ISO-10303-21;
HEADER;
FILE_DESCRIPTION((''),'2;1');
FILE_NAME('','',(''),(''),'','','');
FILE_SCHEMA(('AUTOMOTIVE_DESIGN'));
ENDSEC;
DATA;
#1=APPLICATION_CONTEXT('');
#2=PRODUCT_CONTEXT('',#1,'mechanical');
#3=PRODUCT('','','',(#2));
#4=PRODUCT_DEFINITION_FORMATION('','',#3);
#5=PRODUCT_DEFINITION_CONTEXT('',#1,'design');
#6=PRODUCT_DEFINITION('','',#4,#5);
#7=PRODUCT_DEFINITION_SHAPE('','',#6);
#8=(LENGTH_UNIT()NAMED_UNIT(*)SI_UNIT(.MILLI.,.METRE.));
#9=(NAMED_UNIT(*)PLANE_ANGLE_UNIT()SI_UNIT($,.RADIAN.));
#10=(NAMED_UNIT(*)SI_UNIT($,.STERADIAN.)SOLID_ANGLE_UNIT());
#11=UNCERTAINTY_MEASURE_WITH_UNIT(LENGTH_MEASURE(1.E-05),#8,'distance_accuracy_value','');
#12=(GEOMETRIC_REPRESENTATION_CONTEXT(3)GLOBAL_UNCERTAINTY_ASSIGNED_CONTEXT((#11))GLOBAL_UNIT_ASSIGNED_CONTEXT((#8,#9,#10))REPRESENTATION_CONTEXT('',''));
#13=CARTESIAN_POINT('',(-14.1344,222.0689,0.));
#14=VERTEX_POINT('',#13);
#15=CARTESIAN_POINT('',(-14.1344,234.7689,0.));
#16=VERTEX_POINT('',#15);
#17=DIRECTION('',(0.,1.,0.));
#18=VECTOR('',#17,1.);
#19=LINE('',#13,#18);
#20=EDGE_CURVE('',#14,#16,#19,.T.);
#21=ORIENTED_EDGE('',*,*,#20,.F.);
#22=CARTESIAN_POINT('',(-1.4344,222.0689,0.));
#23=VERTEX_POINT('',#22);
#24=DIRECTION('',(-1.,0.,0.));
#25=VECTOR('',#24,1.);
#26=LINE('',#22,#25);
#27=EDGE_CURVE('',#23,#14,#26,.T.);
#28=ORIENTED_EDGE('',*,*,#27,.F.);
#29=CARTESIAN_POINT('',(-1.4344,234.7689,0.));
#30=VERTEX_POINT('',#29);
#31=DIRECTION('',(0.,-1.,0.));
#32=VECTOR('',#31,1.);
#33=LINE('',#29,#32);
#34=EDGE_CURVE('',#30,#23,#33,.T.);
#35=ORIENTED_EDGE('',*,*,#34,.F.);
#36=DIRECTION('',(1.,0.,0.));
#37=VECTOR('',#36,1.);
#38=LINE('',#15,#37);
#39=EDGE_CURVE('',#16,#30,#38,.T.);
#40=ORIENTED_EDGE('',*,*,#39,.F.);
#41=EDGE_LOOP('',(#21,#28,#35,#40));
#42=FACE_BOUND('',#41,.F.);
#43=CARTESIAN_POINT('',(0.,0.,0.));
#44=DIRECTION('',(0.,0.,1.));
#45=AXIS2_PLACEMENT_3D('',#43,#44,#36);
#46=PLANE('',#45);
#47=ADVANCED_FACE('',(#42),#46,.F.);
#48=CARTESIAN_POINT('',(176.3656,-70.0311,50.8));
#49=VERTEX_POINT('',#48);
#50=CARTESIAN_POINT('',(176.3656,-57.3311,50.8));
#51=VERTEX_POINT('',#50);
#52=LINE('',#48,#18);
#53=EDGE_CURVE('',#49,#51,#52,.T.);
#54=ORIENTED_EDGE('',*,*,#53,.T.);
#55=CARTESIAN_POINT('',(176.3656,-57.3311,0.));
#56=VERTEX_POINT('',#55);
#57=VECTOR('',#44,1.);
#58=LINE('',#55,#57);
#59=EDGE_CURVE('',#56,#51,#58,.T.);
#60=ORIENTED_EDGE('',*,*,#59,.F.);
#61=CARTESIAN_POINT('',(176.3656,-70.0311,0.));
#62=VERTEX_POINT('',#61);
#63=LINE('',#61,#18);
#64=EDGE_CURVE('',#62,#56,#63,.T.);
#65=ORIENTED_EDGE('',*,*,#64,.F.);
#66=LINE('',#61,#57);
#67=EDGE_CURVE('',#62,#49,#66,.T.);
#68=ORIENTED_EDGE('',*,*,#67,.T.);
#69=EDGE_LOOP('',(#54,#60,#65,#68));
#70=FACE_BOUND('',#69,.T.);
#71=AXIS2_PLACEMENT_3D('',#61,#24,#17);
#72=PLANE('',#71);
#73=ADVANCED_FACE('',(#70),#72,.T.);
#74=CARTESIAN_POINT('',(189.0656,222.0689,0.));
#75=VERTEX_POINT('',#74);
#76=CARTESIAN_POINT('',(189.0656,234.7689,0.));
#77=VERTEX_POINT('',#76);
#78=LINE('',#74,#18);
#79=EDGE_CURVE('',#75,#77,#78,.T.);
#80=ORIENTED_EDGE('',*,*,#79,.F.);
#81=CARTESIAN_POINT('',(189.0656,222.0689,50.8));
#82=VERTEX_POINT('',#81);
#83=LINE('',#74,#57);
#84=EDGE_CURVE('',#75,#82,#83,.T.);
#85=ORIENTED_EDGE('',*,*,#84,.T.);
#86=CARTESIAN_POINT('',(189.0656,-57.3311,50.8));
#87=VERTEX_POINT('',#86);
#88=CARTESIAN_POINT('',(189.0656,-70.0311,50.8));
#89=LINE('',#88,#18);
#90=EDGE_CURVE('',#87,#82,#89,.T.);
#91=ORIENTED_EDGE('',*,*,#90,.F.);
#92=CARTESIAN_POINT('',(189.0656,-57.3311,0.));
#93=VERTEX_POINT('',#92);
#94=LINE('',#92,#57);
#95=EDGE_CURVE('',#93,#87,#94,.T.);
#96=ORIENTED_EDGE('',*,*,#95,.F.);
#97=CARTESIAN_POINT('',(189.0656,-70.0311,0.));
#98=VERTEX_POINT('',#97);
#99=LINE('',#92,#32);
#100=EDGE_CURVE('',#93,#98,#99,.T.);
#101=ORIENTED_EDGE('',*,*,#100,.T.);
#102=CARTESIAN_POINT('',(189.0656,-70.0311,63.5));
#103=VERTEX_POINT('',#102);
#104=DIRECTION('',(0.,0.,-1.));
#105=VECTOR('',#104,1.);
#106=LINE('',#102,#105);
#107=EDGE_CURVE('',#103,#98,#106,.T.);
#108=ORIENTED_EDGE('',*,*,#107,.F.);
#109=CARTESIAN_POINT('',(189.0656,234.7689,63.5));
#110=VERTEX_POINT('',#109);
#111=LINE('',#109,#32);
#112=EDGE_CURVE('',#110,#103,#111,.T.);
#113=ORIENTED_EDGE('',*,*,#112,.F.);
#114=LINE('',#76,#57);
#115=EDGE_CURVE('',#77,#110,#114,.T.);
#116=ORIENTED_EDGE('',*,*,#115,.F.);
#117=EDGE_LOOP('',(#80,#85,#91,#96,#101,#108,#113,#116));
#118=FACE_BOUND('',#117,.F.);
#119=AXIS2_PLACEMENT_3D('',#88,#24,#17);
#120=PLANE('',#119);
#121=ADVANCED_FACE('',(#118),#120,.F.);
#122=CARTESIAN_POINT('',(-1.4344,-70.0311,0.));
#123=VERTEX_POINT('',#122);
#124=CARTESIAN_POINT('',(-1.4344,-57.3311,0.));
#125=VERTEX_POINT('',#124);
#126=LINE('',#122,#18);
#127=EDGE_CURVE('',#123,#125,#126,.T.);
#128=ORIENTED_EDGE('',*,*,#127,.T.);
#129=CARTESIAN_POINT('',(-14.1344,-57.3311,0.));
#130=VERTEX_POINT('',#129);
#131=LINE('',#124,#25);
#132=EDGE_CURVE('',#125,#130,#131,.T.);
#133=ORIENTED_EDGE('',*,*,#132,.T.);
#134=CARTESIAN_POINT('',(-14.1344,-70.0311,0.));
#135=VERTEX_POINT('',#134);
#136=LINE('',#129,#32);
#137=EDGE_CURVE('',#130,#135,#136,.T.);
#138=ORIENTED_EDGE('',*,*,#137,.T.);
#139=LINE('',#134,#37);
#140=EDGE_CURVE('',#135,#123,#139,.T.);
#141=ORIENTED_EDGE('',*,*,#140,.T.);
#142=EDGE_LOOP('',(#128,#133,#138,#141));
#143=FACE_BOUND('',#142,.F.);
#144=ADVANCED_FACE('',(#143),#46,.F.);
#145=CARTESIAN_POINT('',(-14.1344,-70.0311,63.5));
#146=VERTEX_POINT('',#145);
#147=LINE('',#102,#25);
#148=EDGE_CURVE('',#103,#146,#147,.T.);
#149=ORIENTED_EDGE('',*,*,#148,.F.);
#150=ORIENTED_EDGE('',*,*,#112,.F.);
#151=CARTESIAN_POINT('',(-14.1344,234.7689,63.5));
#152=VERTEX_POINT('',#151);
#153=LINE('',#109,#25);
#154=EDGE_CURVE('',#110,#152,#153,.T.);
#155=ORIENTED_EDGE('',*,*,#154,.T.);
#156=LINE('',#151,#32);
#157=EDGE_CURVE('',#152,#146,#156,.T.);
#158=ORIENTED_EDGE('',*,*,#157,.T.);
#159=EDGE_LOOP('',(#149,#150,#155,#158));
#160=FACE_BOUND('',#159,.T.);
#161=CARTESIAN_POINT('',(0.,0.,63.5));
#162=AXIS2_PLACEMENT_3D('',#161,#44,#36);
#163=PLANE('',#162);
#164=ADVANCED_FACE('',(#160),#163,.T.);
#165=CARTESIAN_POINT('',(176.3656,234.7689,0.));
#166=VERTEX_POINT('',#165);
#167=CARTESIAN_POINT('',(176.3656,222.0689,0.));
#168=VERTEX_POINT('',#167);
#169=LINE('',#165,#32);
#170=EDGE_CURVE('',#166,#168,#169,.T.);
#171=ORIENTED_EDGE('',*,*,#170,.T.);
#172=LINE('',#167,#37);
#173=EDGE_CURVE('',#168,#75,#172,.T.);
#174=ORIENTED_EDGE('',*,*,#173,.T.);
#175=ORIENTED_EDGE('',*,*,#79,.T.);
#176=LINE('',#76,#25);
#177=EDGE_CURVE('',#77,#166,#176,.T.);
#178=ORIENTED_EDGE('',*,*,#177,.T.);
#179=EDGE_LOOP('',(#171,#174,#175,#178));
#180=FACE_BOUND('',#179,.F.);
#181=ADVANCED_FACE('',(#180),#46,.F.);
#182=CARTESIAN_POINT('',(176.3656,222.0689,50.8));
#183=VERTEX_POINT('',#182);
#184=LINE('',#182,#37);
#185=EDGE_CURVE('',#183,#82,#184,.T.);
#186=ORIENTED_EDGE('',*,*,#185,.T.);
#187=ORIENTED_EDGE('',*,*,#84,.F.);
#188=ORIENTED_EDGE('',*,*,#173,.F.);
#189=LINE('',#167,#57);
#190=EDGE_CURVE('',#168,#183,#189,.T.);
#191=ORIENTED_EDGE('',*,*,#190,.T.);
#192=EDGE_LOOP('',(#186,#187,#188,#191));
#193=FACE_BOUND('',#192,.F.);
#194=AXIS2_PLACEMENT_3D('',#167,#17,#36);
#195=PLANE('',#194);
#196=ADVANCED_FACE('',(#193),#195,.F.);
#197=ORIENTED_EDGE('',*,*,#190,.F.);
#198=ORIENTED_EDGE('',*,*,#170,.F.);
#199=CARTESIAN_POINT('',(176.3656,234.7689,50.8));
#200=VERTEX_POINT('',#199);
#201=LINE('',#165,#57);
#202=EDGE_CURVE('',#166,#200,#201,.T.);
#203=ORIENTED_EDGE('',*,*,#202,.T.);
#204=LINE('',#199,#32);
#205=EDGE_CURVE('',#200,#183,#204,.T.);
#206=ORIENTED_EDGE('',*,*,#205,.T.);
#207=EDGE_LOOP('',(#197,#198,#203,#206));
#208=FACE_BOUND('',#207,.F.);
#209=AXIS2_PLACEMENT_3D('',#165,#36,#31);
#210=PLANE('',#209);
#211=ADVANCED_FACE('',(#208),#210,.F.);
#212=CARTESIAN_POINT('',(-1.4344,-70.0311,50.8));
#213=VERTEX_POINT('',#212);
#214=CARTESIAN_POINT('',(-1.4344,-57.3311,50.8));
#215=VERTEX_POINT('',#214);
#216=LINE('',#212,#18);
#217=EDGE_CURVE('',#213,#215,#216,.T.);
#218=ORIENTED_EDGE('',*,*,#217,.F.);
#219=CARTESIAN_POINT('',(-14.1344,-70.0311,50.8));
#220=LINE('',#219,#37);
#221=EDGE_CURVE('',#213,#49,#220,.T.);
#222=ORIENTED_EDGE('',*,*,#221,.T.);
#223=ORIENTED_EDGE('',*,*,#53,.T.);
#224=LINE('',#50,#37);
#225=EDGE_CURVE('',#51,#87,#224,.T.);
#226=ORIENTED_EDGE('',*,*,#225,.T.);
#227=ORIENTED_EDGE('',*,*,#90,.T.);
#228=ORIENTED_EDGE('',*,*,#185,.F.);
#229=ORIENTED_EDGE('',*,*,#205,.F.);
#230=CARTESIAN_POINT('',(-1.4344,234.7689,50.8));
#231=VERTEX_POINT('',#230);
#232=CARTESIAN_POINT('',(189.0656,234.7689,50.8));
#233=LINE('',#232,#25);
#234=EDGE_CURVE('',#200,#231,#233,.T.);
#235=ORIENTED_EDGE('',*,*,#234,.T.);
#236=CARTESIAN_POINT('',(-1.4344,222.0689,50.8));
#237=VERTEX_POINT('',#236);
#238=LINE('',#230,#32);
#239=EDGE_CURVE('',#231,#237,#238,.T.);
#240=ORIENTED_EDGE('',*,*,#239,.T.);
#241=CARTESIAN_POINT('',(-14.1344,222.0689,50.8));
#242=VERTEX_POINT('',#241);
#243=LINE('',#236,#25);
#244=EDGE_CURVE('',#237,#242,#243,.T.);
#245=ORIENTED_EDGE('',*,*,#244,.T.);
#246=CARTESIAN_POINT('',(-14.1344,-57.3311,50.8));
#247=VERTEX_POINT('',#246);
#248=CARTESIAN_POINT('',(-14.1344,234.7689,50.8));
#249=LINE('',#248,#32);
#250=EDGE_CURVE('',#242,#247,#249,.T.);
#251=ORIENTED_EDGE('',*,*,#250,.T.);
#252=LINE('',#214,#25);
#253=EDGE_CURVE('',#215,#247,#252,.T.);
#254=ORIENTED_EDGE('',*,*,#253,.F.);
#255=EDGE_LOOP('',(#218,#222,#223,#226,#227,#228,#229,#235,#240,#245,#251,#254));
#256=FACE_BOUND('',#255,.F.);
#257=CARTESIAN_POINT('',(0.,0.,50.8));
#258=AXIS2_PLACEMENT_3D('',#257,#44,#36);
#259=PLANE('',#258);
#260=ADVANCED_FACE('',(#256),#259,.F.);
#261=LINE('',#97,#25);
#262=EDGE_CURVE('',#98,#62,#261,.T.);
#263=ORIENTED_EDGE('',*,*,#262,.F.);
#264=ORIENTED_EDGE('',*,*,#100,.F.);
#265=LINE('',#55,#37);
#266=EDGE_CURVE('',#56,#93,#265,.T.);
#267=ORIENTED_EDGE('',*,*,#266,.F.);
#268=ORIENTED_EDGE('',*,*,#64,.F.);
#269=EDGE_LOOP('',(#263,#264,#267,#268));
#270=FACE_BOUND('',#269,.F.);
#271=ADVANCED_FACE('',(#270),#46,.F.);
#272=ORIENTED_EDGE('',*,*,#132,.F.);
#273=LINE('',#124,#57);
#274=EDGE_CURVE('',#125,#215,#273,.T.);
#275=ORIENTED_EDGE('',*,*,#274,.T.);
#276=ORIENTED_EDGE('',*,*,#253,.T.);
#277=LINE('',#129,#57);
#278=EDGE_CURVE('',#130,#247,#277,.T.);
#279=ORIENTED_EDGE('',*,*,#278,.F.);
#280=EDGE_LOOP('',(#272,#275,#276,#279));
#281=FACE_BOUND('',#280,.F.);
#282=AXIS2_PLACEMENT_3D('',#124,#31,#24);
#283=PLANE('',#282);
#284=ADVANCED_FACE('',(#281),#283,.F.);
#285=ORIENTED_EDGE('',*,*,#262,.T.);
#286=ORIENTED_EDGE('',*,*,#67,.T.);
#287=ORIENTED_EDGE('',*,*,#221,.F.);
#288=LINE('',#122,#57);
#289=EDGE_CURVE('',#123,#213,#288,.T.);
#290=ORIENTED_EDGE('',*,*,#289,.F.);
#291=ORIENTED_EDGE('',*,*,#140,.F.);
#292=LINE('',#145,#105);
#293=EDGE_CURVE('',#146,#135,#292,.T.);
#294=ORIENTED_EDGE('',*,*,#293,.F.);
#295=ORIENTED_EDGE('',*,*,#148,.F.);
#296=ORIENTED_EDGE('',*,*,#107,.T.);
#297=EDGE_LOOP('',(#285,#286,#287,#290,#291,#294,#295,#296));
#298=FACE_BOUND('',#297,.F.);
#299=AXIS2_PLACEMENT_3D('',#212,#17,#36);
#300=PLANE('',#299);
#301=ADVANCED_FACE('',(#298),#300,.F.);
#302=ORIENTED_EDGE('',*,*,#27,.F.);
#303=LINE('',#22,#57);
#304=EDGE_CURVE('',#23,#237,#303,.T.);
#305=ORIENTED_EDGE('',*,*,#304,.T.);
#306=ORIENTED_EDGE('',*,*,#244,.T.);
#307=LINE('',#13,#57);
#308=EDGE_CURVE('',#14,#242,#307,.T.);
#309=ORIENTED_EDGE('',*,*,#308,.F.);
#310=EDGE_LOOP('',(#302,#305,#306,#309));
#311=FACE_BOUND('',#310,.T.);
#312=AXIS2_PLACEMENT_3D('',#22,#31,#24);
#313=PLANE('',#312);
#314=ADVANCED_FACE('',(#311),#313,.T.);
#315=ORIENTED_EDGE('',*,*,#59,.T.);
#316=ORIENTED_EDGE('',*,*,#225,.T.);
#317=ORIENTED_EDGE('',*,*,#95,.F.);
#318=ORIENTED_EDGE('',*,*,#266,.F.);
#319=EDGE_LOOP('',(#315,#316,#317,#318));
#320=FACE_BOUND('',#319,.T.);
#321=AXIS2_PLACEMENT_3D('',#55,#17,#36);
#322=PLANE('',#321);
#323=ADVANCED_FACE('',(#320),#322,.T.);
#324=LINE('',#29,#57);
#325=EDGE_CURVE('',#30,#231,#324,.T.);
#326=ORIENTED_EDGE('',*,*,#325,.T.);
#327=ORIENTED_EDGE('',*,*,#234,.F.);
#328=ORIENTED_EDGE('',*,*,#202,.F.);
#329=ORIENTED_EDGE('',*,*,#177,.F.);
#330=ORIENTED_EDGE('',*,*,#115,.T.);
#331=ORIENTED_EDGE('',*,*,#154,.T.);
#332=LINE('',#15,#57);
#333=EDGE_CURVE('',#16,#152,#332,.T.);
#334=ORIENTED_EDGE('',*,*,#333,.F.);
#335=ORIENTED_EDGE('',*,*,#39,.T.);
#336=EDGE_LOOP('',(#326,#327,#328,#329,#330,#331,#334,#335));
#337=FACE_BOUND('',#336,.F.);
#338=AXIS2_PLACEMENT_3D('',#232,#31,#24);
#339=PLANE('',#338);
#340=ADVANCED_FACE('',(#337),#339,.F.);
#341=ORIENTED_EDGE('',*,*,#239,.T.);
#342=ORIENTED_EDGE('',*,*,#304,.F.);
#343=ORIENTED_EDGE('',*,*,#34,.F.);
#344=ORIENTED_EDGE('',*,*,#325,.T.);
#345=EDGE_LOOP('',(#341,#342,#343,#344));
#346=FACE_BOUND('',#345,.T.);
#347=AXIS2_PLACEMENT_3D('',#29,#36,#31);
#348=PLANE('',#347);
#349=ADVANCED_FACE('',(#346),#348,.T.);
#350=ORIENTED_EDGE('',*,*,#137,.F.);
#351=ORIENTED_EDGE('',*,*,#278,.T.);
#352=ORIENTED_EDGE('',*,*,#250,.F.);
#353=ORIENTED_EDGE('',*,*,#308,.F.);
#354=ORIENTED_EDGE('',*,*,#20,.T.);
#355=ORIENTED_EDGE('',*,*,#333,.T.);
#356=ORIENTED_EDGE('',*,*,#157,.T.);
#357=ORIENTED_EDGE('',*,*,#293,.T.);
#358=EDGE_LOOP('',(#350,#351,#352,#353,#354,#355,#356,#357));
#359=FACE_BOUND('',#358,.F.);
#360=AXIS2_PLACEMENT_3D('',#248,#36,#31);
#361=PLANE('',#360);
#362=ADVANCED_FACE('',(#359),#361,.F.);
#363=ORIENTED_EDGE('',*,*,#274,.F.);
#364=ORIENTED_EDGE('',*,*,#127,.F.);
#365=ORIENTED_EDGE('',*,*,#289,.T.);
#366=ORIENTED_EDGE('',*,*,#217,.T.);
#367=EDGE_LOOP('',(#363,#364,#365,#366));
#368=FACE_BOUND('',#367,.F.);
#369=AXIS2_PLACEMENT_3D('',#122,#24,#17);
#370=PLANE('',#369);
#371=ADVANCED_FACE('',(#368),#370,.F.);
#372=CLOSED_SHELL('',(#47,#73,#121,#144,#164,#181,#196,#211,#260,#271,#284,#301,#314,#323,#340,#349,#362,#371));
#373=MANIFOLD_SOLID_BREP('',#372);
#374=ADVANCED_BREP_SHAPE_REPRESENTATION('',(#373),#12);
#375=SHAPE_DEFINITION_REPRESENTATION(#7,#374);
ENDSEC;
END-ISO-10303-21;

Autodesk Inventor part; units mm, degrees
ref_plane "YZ Plane" through (0, 0, 0) normal (1, 0, 0) x (0, 1, 0)
ref_plane "XZ Plane" through (0, 0, 0) normal (0, 1, 0) x (-1, 0, 0)
ref_plane "XY Plane" through (0, 0, 0) normal (0, 0, 1) x (1, 0, 0)
sketch "Sketch1" plane through (0, 0, 0) normal (0, 0, 1) x (1, 0, 0)
  ellipse E0 centre (87.4656, 123.4744) end of major axis (87.4656, -181.3256) minor radius 228.6 projected
  line L0 (189.0656, 234.7689) -> (176.3656, 234.7689)
  line L1 (176.3656, 234.7689) -> (176.3656, 222.0689)
  line L2 (176.3656, 222.0689) -> (189.0656, 222.0689)
  line L3 (189.0656, 222.0689) -> (189.0656, 234.7689)
  line L4 (-14.1344, 234.7689) -> (-1.4344, 234.7689)
  line L5 (-1.4344, 234.7689) -> (-1.4344, 222.0689)
  line L6 (-1.4344, 222.0689) -> (-14.1344, 222.0689)
  line L7 (-14.1344, 222.0689) -> (-14.1344, 234.7689)
  line L8 (189.0656, -70.0311) -> (176.3656, -70.0311)
  line L9 (176.3656, -70.0311) -> (176.3656, -57.3311)
  line L10 (176.3656, -57.3311) -> (189.0656, -57.3311)
  line L11 (189.0656, -57.3311) -> (189.0656, -70.0311)
  line L12 (-14.1344, -70.0311) -> (-1.4344, -70.0311)
  line L13 (-1.4344, -70.0311) -> (-1.4344, -57.3311)
  line L14 (-1.4344, -57.3311) -> (-14.1344, -57.3311)
  line L15 (-14.1344, -57.3311) -> (-14.1344, -70.0311)
  line L16 (75.0457, -66.5884) -> (75.0457, -5.6676) projected
  line L17 (75.0457, -5.6676) -> (100.4457, -5.6676) projected
  line L18 (100.4457, -5.6676) -> (100.4457, -66.5884) projected
  line L19 (100.4457, -66.5884) -> (75.0457, -66.5884) projected
  circle A0 centre (87.4656, 239.7517) radius 30.4 projected
  point P0 (0, 0)
  dimension "d2" = 203.2
  dimension "d3" = 12.7
  dimension "d4" = 12.7
  dimension "d5" = 12.7
  dimension "d6" = 12.7
  dimension "d7" = 12.7
extrude "Extrusion1" add sketch "Sketch1" along normal blind 50.8 contours L3 L2 L1 L0 | L4 L5 L6 L7 | L8 L9 L10 L11 | L15 L14 L13 L12
sketch "Sketch2" plane through (0, 0, 50.8) normal (0, 0, 1) x (1, 0, 0)
  line L0 (189.0656, 222.0689) -> (189.0656, 234.7689) projected
  line L1 (-14.1344, -70.0311) -> (-1.4344, -70.0311) projected
  line L2 (189.0656, 234.7689) -> (-14.1344, 234.7689)
  line L3 (-14.1344, 234.7689) -> (-14.1344, -70.0311)
  line L4 (-14.1344, -70.0311) -> (189.0656, -70.0311)
  line L5 (189.0656, -70.0311) -> (189.0656, 234.7689)
  point P0 (0, 0)
extrude "Extrusion2" add sketch "Sketch2" along normal blind 12.7
properties part number "base_table"
